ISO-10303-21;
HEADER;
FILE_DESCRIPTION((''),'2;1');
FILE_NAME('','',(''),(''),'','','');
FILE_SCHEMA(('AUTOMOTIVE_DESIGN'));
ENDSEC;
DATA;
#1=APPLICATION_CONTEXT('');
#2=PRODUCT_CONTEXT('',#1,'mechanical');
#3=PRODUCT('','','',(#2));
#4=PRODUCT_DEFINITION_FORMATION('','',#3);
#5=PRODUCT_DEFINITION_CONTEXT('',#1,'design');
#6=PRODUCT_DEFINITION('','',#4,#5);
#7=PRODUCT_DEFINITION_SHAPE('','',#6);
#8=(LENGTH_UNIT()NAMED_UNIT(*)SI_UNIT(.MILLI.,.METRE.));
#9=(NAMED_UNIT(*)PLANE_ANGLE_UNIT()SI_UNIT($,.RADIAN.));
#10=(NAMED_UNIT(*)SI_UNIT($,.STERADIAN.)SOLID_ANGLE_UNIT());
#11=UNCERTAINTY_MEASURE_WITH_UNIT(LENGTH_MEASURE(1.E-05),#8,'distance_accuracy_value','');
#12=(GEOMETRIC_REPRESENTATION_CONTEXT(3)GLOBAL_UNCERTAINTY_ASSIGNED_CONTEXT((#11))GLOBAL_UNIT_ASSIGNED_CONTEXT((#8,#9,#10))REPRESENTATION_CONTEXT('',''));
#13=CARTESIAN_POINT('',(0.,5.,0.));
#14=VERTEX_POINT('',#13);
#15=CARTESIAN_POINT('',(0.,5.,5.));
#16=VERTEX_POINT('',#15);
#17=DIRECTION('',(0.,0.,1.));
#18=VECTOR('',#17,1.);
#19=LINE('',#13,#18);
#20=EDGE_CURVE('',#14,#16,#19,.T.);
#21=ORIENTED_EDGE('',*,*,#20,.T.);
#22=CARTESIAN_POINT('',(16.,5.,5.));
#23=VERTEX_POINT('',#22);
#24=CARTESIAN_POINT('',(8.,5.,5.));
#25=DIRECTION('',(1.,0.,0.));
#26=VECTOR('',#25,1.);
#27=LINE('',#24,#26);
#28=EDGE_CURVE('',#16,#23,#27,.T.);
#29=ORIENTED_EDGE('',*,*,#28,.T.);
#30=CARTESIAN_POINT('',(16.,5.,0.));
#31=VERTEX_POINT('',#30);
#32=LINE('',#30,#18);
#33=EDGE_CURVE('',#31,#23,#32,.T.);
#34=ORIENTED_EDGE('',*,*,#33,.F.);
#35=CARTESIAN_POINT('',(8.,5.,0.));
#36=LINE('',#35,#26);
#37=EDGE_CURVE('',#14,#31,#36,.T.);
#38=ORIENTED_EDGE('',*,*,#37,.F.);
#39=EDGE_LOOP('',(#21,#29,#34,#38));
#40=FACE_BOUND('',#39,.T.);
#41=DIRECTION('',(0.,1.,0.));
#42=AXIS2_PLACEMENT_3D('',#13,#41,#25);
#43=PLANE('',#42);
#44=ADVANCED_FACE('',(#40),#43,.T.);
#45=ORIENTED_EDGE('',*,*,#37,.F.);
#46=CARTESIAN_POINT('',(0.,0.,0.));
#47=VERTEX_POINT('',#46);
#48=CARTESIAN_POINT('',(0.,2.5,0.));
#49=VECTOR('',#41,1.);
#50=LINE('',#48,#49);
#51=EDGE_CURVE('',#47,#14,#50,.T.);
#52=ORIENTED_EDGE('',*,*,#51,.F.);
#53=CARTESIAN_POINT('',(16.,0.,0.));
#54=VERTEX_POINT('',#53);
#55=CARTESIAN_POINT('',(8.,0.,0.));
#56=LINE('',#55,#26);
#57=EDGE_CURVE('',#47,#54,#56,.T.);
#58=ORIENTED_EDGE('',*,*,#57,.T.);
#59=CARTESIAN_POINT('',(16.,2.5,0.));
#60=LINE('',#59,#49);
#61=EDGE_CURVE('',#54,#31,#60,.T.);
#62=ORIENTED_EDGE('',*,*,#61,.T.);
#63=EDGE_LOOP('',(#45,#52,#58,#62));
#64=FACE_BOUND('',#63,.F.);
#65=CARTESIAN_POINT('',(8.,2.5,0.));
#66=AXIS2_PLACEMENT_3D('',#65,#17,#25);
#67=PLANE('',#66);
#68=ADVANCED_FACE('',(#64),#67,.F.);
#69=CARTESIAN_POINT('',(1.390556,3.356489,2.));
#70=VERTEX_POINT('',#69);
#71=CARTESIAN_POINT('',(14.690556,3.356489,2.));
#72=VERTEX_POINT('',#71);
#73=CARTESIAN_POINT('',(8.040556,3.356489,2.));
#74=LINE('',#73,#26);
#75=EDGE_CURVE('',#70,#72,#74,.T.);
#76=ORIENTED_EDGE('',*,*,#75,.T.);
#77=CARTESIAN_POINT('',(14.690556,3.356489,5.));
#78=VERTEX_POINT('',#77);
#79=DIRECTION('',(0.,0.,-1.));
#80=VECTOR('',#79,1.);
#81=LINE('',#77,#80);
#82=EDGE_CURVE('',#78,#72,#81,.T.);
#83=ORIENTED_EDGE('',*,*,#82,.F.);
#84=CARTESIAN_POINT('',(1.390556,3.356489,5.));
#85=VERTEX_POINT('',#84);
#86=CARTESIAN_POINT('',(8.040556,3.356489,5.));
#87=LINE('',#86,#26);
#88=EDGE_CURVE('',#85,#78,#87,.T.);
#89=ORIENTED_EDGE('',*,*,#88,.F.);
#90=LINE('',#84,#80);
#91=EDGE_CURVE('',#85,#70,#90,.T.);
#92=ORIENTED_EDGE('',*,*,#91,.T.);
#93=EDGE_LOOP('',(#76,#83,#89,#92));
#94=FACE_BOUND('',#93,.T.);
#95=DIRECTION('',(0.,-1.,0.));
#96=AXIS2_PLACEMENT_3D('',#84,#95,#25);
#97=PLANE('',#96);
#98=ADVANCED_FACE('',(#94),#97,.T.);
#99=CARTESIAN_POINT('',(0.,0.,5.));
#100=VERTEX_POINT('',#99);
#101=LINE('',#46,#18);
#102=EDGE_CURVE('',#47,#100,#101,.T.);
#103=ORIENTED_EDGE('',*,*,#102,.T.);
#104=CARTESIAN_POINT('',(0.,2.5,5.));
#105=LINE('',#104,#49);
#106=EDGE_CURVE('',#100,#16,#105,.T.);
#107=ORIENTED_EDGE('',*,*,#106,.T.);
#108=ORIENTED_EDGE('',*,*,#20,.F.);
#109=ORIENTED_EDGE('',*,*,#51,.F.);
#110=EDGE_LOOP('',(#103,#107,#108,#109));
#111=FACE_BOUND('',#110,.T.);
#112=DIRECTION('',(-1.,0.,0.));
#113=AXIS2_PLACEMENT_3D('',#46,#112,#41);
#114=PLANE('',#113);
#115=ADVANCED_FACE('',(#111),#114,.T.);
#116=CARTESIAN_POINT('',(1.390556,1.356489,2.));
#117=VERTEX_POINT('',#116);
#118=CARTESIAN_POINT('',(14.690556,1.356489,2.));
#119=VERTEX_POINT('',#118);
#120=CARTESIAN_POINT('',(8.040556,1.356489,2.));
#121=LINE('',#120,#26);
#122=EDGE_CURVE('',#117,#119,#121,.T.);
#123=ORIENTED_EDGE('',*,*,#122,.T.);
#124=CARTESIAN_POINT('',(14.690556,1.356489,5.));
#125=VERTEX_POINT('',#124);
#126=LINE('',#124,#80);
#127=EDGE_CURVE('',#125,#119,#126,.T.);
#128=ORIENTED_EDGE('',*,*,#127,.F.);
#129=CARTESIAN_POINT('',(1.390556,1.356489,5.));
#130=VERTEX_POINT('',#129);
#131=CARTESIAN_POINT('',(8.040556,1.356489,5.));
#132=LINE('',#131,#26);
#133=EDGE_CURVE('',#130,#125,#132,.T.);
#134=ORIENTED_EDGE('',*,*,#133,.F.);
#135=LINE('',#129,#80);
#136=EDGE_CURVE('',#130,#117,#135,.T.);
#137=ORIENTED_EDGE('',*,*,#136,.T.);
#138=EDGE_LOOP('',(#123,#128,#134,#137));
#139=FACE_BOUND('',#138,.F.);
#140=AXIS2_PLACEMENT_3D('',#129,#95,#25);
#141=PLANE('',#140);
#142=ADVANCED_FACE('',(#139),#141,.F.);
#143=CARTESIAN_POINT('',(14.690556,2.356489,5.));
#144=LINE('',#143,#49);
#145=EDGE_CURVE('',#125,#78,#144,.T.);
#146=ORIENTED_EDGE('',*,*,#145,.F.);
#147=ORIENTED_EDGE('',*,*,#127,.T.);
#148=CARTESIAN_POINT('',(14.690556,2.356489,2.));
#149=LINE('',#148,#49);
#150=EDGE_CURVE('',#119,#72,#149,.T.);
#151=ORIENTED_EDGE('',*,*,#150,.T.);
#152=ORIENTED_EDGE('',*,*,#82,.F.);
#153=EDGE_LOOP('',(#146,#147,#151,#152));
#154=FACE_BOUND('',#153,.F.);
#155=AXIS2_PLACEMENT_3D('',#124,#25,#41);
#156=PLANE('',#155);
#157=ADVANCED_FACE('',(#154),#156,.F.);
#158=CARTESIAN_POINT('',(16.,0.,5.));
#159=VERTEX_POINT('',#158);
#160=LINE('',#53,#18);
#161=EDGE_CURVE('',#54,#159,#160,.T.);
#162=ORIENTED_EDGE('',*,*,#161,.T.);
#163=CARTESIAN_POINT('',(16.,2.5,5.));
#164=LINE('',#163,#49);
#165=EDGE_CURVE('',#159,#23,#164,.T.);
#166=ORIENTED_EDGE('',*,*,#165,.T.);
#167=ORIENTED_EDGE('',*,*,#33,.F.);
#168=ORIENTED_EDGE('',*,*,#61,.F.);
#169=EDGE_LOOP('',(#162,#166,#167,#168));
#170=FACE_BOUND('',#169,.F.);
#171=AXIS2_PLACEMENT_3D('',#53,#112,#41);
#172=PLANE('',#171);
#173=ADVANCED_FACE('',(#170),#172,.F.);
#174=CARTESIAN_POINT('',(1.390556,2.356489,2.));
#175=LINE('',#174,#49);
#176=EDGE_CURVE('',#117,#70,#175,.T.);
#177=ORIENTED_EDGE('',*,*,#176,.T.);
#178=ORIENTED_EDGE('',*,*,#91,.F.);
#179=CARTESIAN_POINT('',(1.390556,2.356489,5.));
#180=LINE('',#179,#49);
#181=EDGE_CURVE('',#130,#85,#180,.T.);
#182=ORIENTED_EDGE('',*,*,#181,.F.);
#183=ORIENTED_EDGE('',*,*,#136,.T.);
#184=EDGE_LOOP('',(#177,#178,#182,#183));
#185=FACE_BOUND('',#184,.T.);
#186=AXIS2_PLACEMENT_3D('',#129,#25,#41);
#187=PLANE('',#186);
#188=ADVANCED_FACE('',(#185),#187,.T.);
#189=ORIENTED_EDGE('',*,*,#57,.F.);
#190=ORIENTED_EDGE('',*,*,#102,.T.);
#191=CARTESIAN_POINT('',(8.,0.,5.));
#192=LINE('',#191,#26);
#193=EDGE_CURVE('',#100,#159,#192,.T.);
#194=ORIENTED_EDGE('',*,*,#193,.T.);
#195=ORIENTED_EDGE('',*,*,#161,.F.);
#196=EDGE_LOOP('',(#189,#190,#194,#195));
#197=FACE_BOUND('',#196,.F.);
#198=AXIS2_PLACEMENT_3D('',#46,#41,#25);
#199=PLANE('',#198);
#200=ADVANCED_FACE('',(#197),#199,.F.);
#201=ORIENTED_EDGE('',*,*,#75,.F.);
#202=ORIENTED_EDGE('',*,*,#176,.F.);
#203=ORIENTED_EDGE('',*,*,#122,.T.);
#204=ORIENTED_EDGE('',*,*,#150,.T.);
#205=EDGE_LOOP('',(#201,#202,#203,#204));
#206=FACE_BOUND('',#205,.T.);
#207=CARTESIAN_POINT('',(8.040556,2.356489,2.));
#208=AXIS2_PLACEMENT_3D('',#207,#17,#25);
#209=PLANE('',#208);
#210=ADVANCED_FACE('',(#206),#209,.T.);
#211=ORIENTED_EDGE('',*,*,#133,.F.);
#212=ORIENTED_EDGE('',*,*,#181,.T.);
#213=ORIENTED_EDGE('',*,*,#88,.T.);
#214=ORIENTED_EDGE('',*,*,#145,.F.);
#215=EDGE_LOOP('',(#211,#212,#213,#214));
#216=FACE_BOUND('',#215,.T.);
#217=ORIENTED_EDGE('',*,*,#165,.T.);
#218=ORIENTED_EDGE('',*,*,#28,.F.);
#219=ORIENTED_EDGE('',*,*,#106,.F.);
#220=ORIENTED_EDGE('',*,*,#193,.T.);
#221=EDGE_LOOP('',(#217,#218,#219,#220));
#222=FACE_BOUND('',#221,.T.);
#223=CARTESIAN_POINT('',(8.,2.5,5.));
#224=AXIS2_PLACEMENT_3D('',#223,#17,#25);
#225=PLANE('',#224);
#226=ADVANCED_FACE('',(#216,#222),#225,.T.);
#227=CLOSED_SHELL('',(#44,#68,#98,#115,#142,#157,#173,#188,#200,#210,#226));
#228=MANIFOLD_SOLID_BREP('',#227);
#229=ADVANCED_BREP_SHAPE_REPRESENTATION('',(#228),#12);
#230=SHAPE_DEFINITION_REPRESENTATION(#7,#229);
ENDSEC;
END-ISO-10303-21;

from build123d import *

# Parameters (mm, degrees)
BOX_W        = 16
BOX_H        = 5
BOX_DEPTH    = 5
SKETCH_W     = 13.3
SKETCH_H     = 2
POCKET_DEPTH = 3


with BuildPart() as part:
    # Box → Box (new body)
    with BuildSketch(Plane.XY):
        with Locations((8, 2.5)):
            Rectangle(BOX_W, BOX_H)
    extrude(amount=BOX_DEPTH)

    # Sketch (on Face6 of BaseFeature) → Pocket (cut)
    with BuildSketch(Plane.XY.offset(5)):
        with Locations((8.040556, 2.356489)):
            Rectangle(SKETCH_W, SKETCH_H)
    extrude(amount=-POCKET_DEPTH, mode=Mode.SUBTRACT)


solid = part.part
